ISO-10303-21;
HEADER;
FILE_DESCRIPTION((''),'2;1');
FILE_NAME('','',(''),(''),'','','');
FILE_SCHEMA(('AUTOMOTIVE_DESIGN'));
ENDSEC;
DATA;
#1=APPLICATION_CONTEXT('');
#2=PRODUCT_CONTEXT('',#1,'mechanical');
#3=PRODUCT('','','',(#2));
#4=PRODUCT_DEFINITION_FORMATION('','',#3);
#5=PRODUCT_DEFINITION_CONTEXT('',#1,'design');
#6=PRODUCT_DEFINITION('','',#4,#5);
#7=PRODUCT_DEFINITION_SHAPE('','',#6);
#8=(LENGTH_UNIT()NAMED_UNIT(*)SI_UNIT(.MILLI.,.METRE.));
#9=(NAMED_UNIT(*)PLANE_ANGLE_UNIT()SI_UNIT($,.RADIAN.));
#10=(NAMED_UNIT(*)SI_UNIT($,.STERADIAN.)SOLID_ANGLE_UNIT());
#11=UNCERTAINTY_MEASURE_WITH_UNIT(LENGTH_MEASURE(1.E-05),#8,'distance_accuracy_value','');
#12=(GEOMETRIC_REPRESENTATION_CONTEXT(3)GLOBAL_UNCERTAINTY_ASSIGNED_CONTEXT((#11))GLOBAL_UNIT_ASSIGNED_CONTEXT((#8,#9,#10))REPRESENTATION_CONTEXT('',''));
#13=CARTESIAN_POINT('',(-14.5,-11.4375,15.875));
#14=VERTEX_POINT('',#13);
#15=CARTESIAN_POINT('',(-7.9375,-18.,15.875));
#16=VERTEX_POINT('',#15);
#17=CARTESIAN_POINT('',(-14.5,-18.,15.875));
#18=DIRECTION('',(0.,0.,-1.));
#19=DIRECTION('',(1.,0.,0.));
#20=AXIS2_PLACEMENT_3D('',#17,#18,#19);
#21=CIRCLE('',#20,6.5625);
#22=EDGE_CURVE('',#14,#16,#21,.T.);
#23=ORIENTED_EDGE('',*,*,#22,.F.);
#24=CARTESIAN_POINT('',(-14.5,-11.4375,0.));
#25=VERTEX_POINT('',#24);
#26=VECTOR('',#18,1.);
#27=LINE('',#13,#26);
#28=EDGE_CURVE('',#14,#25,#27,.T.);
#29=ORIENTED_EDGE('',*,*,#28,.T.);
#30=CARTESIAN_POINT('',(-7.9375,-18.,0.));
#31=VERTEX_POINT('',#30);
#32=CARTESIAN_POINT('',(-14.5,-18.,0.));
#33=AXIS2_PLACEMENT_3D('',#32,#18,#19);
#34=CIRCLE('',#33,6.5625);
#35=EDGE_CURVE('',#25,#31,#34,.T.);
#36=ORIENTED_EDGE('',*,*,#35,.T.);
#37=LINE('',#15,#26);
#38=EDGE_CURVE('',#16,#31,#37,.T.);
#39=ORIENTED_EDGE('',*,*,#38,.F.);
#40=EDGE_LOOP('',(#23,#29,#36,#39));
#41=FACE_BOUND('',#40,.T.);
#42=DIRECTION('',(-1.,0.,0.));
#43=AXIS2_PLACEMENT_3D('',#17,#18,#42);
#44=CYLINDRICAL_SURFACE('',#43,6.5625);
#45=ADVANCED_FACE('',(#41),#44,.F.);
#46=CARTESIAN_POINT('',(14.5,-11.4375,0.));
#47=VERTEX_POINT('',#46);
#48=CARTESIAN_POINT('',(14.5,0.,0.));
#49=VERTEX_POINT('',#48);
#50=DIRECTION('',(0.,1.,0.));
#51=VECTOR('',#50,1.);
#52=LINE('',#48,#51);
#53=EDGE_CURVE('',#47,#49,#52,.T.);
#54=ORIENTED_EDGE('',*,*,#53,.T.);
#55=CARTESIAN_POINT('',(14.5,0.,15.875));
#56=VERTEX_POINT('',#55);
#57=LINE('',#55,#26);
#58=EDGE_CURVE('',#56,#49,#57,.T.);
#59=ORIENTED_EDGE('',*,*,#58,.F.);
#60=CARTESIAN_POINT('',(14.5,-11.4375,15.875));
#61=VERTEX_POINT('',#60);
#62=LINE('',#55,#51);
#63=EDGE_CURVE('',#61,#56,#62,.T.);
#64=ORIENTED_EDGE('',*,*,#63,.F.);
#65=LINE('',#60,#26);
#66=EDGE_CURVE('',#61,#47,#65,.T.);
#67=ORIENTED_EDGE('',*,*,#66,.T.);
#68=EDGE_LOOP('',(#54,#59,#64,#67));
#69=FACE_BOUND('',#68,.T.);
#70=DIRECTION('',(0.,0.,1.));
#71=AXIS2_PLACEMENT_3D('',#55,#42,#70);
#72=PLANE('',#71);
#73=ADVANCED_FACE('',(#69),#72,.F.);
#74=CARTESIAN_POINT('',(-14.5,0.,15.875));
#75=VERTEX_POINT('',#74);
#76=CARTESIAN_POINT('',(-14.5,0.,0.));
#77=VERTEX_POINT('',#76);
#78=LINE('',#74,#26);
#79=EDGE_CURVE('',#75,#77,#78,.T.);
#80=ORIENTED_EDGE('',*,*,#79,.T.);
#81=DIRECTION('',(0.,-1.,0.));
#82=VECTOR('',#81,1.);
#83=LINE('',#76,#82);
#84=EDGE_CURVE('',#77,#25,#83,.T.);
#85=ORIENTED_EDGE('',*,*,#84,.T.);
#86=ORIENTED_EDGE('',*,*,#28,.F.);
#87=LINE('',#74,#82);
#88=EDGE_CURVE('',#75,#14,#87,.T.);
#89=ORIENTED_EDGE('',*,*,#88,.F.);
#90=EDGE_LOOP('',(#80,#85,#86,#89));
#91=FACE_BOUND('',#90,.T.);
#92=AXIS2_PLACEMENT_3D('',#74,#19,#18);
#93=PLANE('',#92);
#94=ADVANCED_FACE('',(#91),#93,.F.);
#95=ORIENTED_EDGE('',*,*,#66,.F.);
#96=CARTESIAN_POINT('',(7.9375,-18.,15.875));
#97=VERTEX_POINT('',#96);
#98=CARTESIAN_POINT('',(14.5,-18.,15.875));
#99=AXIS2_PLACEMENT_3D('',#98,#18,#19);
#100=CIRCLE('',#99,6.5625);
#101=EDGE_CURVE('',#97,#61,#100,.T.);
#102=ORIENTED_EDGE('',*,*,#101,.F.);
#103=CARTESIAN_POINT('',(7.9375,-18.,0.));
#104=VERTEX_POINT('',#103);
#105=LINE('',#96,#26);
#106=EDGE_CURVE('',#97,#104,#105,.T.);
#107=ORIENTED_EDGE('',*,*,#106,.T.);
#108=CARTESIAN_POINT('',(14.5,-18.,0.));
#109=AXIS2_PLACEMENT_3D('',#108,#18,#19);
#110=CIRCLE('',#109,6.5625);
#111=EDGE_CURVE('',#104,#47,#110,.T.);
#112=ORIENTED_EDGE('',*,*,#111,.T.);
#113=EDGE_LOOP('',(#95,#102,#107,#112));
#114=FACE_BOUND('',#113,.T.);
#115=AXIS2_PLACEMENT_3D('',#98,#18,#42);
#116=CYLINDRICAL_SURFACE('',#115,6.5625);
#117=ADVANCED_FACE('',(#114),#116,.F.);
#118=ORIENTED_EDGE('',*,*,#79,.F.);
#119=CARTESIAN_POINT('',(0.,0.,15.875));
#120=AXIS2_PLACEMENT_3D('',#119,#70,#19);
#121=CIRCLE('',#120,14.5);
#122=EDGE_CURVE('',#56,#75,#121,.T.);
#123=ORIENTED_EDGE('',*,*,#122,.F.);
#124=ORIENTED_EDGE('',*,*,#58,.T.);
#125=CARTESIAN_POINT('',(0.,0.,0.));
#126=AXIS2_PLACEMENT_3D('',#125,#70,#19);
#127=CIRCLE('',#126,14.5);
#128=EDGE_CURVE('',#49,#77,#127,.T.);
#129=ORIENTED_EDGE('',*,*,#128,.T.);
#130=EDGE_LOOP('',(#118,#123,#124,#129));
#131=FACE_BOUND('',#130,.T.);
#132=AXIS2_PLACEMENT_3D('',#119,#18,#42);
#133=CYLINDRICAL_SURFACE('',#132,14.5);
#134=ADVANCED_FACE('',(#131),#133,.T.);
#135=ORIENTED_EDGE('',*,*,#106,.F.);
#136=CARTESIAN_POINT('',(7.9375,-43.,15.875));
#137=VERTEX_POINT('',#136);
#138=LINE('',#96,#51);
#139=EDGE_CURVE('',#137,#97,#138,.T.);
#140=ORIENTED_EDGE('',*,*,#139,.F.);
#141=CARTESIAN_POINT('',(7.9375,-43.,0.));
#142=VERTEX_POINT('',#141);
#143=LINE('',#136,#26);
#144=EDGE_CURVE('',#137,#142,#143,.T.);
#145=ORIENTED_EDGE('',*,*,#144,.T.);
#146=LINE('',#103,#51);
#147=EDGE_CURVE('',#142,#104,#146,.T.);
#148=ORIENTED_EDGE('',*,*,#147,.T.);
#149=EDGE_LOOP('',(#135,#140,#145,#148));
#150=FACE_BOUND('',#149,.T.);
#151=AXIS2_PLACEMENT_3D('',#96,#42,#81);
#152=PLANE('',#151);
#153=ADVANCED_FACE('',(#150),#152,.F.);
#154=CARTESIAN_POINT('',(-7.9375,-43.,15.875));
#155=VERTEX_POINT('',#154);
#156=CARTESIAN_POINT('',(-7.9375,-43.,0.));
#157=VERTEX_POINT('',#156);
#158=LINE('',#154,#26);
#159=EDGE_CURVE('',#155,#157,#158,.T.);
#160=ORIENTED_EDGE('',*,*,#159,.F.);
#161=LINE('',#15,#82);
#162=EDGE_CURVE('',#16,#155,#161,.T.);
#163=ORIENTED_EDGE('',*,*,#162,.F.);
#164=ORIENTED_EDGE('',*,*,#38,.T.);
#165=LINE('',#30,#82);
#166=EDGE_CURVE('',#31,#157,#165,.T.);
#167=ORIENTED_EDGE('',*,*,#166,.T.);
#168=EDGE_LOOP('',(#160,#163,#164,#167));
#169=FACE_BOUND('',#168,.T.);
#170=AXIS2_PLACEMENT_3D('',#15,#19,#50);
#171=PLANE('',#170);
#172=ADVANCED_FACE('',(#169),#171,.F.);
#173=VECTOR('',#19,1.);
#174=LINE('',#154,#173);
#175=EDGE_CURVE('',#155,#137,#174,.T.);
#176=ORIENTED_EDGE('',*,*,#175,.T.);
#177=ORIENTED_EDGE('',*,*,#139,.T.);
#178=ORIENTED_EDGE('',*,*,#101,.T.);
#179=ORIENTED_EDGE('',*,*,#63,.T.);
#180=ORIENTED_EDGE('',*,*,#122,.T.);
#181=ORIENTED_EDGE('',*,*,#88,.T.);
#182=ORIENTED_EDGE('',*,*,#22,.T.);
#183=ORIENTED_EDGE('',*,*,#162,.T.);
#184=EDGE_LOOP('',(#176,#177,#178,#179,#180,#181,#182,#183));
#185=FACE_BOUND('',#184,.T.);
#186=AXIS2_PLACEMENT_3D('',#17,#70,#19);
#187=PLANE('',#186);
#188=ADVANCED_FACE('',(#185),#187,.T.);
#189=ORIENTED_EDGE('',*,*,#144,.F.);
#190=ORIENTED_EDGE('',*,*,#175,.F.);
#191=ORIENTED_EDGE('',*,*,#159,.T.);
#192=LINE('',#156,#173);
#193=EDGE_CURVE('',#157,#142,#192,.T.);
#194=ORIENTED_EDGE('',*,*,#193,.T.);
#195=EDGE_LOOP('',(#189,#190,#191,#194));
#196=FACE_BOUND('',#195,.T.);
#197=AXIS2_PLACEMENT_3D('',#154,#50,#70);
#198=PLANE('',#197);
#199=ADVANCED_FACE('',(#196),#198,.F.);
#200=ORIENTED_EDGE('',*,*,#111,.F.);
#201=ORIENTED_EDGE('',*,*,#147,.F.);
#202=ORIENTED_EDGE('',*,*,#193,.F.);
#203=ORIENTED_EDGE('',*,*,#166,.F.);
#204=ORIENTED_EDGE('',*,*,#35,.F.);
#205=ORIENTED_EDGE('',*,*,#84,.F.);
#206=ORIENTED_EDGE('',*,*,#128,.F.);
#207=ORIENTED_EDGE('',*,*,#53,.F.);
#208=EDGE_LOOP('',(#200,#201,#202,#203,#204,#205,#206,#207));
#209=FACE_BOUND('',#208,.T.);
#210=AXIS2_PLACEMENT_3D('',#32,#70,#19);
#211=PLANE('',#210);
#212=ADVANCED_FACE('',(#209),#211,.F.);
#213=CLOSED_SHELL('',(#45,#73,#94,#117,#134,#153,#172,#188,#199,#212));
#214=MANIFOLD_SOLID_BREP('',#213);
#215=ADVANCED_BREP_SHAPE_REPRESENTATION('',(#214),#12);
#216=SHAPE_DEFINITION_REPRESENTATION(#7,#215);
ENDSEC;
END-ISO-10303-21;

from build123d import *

# Parameters (mm, degrees)
BOSS_EXTRUDE1_DEPTH = 15.875


with BuildPart() as part:
    # Sketch1 → Boss-Extrude1 (new body)
    with BuildSketch(Plane.XY):
        with BuildLine():
            Line((-7.9375, -18), (-7.9375, -43))
            Line((-7.9375, -43), (7.9375, -43))
            Line((7.9375, -43), (7.9375, -18))
            ThreePointArc((7.9375, -18), (9.859611748, -13.359611748), (14.5, -11.4375))
            Line((14.5, -11.4375), (14.5, 0))
            ThreePointArc((14.5, 0), (0, 14.5), (-14.5, 0))
            Line((-14.5, 0), (-14.5, -11.4375))
            ThreePointArc((-14.5, -11.4375), (-9.859611748, -13.359611748), (-7.9375, -18))
        make_face()
    extrude(amount=BOSS_EXTRUDE1_DEPTH)


solid = part.part
